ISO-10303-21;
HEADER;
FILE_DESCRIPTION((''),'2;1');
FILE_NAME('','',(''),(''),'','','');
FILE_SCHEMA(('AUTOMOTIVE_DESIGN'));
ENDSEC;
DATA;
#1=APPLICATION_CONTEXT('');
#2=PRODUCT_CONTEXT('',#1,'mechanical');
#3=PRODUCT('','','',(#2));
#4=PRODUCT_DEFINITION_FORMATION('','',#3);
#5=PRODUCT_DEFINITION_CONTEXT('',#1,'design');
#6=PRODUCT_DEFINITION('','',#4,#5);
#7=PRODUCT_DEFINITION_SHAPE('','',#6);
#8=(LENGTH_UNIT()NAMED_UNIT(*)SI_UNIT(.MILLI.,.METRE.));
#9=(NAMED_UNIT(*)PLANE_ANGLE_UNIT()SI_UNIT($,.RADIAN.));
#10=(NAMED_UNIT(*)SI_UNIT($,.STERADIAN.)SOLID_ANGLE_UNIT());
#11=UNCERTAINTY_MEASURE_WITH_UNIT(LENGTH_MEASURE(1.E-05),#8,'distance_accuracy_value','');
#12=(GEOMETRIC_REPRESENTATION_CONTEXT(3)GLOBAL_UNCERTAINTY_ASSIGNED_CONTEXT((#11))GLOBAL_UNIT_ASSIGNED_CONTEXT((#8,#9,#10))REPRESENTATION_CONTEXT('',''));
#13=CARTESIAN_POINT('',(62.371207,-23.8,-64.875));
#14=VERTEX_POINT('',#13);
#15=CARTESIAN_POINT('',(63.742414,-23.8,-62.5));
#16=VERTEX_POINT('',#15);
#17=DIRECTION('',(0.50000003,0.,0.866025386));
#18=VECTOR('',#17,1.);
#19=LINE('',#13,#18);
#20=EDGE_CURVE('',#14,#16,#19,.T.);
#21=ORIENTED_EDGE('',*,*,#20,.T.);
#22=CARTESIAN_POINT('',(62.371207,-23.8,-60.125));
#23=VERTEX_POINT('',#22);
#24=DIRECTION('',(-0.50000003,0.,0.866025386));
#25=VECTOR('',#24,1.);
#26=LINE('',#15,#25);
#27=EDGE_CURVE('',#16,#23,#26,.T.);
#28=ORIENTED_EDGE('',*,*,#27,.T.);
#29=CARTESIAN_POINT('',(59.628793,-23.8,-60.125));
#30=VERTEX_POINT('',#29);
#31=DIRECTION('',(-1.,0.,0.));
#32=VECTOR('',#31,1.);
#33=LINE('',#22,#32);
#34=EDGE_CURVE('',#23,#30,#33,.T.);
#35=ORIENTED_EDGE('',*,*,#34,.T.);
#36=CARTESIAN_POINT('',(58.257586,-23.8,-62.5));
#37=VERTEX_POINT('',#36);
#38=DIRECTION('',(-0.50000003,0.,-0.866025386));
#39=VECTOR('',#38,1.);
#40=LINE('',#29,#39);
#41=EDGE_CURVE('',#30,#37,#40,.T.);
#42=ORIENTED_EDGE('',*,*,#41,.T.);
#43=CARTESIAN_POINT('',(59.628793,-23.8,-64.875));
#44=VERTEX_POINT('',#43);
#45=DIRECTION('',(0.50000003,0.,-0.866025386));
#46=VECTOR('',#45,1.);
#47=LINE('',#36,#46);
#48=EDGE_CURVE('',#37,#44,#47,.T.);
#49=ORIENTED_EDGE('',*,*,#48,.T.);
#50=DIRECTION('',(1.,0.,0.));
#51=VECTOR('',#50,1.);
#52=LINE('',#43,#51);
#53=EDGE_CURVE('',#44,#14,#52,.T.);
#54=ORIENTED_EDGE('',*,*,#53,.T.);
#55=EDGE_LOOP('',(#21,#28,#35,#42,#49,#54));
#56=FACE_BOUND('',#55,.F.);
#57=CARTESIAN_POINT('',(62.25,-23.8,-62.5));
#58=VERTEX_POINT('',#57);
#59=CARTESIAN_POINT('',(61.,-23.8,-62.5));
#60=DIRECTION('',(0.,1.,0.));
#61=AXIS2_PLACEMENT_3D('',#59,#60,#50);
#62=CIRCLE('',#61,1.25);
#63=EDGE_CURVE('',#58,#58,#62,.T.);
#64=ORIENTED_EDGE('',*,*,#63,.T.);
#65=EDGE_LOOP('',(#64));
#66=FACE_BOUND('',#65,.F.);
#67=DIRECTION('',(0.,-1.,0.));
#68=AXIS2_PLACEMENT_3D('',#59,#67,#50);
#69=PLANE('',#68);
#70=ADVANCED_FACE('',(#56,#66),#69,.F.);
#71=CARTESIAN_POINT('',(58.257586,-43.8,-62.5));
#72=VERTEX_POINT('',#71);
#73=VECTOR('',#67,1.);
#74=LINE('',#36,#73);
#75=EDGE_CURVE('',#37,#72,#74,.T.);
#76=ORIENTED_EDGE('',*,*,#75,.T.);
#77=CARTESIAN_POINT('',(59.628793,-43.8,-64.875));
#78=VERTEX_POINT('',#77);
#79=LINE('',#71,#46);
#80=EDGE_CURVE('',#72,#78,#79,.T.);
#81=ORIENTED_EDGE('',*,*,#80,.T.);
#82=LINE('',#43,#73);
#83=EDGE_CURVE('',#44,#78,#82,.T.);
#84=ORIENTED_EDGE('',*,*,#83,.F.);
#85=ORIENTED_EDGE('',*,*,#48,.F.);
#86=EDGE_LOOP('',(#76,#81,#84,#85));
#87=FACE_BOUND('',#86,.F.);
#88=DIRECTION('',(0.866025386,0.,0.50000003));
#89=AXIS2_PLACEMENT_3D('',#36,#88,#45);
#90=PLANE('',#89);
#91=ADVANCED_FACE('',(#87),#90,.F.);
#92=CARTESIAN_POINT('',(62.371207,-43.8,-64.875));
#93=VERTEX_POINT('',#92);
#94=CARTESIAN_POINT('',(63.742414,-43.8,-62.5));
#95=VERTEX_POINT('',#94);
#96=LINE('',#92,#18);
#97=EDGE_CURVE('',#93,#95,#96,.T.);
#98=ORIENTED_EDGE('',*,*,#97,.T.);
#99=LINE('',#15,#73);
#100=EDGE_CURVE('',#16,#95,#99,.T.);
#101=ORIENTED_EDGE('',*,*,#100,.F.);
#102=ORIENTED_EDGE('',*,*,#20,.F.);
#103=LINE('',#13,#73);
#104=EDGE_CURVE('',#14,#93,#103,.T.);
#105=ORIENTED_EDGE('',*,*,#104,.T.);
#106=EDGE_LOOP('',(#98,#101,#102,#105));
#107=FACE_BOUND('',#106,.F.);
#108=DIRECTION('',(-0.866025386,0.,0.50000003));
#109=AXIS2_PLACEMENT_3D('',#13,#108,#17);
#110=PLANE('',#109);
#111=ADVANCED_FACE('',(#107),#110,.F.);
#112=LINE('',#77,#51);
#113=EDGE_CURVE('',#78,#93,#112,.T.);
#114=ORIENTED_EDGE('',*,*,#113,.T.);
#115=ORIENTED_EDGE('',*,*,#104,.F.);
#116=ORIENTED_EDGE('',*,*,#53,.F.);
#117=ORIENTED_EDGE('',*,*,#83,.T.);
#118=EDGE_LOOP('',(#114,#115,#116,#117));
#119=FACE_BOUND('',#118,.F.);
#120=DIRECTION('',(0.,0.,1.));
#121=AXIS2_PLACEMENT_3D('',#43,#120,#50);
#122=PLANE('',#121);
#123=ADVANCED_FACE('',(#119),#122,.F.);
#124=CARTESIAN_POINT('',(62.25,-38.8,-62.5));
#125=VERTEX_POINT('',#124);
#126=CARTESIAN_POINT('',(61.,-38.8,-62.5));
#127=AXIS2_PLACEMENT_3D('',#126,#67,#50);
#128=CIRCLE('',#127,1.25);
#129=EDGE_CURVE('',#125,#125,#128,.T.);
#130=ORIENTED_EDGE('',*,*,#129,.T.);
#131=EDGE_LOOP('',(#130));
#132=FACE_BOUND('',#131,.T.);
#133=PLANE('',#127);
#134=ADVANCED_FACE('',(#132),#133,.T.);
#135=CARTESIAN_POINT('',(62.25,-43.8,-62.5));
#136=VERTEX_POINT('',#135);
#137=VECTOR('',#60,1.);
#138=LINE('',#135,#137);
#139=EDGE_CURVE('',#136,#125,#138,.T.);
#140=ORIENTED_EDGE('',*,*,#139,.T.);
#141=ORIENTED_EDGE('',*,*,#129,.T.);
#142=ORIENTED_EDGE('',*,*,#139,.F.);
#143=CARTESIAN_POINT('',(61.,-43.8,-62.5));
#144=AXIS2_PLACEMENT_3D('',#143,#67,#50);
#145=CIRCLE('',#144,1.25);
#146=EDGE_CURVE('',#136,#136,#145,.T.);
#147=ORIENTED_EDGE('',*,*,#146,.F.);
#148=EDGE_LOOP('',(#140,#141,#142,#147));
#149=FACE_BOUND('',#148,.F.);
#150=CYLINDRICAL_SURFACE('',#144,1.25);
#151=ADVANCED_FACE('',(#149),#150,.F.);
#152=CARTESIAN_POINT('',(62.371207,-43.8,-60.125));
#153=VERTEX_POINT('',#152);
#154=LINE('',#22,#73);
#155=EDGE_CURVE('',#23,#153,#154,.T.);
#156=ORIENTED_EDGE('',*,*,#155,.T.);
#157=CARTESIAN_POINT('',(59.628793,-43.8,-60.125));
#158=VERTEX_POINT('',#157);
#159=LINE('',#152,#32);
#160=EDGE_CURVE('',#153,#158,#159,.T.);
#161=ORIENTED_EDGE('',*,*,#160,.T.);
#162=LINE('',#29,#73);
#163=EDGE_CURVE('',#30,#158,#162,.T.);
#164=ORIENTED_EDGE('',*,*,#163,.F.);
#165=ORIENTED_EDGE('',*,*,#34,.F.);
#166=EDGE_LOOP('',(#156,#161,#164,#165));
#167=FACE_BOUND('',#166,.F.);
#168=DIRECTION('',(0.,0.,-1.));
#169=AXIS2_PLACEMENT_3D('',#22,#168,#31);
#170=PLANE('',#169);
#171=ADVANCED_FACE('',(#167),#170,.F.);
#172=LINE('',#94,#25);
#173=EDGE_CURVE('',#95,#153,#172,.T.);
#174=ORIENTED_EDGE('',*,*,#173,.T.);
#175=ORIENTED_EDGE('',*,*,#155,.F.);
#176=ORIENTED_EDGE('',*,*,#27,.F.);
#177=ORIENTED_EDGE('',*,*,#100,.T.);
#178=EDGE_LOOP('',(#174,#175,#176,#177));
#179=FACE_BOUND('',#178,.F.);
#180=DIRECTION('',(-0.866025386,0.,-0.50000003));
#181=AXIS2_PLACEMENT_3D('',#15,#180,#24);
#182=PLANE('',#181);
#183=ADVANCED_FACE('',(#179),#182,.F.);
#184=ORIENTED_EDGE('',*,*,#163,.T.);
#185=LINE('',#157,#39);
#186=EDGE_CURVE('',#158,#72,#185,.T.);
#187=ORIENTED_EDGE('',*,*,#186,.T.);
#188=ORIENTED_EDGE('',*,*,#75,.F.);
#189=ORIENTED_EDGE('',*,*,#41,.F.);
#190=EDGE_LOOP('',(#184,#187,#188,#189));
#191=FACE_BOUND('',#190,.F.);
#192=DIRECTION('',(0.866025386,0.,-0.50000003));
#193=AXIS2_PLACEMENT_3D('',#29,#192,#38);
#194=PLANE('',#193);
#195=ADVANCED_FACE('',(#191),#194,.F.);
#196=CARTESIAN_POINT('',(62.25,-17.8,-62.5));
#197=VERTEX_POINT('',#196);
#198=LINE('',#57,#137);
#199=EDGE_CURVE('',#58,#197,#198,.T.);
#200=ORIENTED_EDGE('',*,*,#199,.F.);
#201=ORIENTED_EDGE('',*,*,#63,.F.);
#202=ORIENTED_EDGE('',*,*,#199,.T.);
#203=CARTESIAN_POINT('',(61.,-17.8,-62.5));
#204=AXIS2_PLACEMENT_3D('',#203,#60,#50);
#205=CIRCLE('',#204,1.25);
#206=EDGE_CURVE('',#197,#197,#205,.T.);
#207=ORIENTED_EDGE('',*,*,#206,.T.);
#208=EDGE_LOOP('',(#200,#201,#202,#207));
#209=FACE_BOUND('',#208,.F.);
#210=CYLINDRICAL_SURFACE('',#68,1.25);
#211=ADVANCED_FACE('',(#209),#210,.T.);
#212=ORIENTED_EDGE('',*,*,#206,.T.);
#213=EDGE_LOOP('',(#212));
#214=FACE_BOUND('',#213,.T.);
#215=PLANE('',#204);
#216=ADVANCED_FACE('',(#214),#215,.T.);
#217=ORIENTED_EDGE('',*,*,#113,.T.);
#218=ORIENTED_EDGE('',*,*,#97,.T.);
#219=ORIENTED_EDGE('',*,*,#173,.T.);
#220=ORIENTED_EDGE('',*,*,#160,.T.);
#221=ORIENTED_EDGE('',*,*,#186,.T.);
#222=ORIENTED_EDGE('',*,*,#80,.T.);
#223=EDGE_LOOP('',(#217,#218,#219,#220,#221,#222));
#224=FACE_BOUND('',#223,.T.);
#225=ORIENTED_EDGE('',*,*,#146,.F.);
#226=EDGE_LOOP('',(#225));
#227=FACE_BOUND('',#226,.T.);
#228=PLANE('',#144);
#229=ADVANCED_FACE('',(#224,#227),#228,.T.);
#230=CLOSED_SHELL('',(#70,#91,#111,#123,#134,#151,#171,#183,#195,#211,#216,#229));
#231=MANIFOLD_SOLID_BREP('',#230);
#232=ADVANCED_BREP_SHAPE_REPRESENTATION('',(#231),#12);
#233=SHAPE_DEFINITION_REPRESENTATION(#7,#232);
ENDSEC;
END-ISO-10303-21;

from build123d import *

# Parameters (mm, degrees)
PAD008_DEPTH            = 20
SKETCH021_R             = 1.25
PAD007_DEPTH            = 6
SKETCH023_R             = 1.25
POCKET013_DEPTH         = 5
BODY009_PLACEMENT_ANGLE = 90


with BuildPart() as part:
    # Sketch022 → Pad008 (new body)
    with BuildSketch(Plane.XY):
        Polygon((1.371207, 2.375), (-1.371207, 2.375), (-2.742414, 0), (-1.371207, -2.375), (1.371207, -2.375), (2.742414, 0), align=None)
    extrude(amount=PAD008_DEPTH)

    # Sketch021 (on Face7 of Pad008) → Pad007 (join)
    with BuildSketch(Plane(origin=(0, 0, 0), x_dir=(1, 0, 0), z_dir=(0, 0, -1))):
        Circle(SKETCH021_R)
    extrude(amount=PAD007_DEPTH)

    # Sketch023 (on Face5 of Pad007) → Pocket013 (cut)
    with BuildSketch(Plane.XY.offset(20)):
        Circle(SKETCH023_R)
    extrude(amount=-POCKET013_DEPTH, mode=Mode.SUBTRACT)


with BuildPart() as part_1:
    # Body009 placement: moved
    add(part.part.moved(Location((61, -23.8, -13.5))).rotate(Axis((61, -23.8, -13.5), (1, 0, 0)), BODY009_PLACEMENT_ANGLE))


with BuildPart() as part_2:
    # Body011 placement: moved
    add(part_1.part.moved(Location((0, 0, -49))))


solid = part_2.part
